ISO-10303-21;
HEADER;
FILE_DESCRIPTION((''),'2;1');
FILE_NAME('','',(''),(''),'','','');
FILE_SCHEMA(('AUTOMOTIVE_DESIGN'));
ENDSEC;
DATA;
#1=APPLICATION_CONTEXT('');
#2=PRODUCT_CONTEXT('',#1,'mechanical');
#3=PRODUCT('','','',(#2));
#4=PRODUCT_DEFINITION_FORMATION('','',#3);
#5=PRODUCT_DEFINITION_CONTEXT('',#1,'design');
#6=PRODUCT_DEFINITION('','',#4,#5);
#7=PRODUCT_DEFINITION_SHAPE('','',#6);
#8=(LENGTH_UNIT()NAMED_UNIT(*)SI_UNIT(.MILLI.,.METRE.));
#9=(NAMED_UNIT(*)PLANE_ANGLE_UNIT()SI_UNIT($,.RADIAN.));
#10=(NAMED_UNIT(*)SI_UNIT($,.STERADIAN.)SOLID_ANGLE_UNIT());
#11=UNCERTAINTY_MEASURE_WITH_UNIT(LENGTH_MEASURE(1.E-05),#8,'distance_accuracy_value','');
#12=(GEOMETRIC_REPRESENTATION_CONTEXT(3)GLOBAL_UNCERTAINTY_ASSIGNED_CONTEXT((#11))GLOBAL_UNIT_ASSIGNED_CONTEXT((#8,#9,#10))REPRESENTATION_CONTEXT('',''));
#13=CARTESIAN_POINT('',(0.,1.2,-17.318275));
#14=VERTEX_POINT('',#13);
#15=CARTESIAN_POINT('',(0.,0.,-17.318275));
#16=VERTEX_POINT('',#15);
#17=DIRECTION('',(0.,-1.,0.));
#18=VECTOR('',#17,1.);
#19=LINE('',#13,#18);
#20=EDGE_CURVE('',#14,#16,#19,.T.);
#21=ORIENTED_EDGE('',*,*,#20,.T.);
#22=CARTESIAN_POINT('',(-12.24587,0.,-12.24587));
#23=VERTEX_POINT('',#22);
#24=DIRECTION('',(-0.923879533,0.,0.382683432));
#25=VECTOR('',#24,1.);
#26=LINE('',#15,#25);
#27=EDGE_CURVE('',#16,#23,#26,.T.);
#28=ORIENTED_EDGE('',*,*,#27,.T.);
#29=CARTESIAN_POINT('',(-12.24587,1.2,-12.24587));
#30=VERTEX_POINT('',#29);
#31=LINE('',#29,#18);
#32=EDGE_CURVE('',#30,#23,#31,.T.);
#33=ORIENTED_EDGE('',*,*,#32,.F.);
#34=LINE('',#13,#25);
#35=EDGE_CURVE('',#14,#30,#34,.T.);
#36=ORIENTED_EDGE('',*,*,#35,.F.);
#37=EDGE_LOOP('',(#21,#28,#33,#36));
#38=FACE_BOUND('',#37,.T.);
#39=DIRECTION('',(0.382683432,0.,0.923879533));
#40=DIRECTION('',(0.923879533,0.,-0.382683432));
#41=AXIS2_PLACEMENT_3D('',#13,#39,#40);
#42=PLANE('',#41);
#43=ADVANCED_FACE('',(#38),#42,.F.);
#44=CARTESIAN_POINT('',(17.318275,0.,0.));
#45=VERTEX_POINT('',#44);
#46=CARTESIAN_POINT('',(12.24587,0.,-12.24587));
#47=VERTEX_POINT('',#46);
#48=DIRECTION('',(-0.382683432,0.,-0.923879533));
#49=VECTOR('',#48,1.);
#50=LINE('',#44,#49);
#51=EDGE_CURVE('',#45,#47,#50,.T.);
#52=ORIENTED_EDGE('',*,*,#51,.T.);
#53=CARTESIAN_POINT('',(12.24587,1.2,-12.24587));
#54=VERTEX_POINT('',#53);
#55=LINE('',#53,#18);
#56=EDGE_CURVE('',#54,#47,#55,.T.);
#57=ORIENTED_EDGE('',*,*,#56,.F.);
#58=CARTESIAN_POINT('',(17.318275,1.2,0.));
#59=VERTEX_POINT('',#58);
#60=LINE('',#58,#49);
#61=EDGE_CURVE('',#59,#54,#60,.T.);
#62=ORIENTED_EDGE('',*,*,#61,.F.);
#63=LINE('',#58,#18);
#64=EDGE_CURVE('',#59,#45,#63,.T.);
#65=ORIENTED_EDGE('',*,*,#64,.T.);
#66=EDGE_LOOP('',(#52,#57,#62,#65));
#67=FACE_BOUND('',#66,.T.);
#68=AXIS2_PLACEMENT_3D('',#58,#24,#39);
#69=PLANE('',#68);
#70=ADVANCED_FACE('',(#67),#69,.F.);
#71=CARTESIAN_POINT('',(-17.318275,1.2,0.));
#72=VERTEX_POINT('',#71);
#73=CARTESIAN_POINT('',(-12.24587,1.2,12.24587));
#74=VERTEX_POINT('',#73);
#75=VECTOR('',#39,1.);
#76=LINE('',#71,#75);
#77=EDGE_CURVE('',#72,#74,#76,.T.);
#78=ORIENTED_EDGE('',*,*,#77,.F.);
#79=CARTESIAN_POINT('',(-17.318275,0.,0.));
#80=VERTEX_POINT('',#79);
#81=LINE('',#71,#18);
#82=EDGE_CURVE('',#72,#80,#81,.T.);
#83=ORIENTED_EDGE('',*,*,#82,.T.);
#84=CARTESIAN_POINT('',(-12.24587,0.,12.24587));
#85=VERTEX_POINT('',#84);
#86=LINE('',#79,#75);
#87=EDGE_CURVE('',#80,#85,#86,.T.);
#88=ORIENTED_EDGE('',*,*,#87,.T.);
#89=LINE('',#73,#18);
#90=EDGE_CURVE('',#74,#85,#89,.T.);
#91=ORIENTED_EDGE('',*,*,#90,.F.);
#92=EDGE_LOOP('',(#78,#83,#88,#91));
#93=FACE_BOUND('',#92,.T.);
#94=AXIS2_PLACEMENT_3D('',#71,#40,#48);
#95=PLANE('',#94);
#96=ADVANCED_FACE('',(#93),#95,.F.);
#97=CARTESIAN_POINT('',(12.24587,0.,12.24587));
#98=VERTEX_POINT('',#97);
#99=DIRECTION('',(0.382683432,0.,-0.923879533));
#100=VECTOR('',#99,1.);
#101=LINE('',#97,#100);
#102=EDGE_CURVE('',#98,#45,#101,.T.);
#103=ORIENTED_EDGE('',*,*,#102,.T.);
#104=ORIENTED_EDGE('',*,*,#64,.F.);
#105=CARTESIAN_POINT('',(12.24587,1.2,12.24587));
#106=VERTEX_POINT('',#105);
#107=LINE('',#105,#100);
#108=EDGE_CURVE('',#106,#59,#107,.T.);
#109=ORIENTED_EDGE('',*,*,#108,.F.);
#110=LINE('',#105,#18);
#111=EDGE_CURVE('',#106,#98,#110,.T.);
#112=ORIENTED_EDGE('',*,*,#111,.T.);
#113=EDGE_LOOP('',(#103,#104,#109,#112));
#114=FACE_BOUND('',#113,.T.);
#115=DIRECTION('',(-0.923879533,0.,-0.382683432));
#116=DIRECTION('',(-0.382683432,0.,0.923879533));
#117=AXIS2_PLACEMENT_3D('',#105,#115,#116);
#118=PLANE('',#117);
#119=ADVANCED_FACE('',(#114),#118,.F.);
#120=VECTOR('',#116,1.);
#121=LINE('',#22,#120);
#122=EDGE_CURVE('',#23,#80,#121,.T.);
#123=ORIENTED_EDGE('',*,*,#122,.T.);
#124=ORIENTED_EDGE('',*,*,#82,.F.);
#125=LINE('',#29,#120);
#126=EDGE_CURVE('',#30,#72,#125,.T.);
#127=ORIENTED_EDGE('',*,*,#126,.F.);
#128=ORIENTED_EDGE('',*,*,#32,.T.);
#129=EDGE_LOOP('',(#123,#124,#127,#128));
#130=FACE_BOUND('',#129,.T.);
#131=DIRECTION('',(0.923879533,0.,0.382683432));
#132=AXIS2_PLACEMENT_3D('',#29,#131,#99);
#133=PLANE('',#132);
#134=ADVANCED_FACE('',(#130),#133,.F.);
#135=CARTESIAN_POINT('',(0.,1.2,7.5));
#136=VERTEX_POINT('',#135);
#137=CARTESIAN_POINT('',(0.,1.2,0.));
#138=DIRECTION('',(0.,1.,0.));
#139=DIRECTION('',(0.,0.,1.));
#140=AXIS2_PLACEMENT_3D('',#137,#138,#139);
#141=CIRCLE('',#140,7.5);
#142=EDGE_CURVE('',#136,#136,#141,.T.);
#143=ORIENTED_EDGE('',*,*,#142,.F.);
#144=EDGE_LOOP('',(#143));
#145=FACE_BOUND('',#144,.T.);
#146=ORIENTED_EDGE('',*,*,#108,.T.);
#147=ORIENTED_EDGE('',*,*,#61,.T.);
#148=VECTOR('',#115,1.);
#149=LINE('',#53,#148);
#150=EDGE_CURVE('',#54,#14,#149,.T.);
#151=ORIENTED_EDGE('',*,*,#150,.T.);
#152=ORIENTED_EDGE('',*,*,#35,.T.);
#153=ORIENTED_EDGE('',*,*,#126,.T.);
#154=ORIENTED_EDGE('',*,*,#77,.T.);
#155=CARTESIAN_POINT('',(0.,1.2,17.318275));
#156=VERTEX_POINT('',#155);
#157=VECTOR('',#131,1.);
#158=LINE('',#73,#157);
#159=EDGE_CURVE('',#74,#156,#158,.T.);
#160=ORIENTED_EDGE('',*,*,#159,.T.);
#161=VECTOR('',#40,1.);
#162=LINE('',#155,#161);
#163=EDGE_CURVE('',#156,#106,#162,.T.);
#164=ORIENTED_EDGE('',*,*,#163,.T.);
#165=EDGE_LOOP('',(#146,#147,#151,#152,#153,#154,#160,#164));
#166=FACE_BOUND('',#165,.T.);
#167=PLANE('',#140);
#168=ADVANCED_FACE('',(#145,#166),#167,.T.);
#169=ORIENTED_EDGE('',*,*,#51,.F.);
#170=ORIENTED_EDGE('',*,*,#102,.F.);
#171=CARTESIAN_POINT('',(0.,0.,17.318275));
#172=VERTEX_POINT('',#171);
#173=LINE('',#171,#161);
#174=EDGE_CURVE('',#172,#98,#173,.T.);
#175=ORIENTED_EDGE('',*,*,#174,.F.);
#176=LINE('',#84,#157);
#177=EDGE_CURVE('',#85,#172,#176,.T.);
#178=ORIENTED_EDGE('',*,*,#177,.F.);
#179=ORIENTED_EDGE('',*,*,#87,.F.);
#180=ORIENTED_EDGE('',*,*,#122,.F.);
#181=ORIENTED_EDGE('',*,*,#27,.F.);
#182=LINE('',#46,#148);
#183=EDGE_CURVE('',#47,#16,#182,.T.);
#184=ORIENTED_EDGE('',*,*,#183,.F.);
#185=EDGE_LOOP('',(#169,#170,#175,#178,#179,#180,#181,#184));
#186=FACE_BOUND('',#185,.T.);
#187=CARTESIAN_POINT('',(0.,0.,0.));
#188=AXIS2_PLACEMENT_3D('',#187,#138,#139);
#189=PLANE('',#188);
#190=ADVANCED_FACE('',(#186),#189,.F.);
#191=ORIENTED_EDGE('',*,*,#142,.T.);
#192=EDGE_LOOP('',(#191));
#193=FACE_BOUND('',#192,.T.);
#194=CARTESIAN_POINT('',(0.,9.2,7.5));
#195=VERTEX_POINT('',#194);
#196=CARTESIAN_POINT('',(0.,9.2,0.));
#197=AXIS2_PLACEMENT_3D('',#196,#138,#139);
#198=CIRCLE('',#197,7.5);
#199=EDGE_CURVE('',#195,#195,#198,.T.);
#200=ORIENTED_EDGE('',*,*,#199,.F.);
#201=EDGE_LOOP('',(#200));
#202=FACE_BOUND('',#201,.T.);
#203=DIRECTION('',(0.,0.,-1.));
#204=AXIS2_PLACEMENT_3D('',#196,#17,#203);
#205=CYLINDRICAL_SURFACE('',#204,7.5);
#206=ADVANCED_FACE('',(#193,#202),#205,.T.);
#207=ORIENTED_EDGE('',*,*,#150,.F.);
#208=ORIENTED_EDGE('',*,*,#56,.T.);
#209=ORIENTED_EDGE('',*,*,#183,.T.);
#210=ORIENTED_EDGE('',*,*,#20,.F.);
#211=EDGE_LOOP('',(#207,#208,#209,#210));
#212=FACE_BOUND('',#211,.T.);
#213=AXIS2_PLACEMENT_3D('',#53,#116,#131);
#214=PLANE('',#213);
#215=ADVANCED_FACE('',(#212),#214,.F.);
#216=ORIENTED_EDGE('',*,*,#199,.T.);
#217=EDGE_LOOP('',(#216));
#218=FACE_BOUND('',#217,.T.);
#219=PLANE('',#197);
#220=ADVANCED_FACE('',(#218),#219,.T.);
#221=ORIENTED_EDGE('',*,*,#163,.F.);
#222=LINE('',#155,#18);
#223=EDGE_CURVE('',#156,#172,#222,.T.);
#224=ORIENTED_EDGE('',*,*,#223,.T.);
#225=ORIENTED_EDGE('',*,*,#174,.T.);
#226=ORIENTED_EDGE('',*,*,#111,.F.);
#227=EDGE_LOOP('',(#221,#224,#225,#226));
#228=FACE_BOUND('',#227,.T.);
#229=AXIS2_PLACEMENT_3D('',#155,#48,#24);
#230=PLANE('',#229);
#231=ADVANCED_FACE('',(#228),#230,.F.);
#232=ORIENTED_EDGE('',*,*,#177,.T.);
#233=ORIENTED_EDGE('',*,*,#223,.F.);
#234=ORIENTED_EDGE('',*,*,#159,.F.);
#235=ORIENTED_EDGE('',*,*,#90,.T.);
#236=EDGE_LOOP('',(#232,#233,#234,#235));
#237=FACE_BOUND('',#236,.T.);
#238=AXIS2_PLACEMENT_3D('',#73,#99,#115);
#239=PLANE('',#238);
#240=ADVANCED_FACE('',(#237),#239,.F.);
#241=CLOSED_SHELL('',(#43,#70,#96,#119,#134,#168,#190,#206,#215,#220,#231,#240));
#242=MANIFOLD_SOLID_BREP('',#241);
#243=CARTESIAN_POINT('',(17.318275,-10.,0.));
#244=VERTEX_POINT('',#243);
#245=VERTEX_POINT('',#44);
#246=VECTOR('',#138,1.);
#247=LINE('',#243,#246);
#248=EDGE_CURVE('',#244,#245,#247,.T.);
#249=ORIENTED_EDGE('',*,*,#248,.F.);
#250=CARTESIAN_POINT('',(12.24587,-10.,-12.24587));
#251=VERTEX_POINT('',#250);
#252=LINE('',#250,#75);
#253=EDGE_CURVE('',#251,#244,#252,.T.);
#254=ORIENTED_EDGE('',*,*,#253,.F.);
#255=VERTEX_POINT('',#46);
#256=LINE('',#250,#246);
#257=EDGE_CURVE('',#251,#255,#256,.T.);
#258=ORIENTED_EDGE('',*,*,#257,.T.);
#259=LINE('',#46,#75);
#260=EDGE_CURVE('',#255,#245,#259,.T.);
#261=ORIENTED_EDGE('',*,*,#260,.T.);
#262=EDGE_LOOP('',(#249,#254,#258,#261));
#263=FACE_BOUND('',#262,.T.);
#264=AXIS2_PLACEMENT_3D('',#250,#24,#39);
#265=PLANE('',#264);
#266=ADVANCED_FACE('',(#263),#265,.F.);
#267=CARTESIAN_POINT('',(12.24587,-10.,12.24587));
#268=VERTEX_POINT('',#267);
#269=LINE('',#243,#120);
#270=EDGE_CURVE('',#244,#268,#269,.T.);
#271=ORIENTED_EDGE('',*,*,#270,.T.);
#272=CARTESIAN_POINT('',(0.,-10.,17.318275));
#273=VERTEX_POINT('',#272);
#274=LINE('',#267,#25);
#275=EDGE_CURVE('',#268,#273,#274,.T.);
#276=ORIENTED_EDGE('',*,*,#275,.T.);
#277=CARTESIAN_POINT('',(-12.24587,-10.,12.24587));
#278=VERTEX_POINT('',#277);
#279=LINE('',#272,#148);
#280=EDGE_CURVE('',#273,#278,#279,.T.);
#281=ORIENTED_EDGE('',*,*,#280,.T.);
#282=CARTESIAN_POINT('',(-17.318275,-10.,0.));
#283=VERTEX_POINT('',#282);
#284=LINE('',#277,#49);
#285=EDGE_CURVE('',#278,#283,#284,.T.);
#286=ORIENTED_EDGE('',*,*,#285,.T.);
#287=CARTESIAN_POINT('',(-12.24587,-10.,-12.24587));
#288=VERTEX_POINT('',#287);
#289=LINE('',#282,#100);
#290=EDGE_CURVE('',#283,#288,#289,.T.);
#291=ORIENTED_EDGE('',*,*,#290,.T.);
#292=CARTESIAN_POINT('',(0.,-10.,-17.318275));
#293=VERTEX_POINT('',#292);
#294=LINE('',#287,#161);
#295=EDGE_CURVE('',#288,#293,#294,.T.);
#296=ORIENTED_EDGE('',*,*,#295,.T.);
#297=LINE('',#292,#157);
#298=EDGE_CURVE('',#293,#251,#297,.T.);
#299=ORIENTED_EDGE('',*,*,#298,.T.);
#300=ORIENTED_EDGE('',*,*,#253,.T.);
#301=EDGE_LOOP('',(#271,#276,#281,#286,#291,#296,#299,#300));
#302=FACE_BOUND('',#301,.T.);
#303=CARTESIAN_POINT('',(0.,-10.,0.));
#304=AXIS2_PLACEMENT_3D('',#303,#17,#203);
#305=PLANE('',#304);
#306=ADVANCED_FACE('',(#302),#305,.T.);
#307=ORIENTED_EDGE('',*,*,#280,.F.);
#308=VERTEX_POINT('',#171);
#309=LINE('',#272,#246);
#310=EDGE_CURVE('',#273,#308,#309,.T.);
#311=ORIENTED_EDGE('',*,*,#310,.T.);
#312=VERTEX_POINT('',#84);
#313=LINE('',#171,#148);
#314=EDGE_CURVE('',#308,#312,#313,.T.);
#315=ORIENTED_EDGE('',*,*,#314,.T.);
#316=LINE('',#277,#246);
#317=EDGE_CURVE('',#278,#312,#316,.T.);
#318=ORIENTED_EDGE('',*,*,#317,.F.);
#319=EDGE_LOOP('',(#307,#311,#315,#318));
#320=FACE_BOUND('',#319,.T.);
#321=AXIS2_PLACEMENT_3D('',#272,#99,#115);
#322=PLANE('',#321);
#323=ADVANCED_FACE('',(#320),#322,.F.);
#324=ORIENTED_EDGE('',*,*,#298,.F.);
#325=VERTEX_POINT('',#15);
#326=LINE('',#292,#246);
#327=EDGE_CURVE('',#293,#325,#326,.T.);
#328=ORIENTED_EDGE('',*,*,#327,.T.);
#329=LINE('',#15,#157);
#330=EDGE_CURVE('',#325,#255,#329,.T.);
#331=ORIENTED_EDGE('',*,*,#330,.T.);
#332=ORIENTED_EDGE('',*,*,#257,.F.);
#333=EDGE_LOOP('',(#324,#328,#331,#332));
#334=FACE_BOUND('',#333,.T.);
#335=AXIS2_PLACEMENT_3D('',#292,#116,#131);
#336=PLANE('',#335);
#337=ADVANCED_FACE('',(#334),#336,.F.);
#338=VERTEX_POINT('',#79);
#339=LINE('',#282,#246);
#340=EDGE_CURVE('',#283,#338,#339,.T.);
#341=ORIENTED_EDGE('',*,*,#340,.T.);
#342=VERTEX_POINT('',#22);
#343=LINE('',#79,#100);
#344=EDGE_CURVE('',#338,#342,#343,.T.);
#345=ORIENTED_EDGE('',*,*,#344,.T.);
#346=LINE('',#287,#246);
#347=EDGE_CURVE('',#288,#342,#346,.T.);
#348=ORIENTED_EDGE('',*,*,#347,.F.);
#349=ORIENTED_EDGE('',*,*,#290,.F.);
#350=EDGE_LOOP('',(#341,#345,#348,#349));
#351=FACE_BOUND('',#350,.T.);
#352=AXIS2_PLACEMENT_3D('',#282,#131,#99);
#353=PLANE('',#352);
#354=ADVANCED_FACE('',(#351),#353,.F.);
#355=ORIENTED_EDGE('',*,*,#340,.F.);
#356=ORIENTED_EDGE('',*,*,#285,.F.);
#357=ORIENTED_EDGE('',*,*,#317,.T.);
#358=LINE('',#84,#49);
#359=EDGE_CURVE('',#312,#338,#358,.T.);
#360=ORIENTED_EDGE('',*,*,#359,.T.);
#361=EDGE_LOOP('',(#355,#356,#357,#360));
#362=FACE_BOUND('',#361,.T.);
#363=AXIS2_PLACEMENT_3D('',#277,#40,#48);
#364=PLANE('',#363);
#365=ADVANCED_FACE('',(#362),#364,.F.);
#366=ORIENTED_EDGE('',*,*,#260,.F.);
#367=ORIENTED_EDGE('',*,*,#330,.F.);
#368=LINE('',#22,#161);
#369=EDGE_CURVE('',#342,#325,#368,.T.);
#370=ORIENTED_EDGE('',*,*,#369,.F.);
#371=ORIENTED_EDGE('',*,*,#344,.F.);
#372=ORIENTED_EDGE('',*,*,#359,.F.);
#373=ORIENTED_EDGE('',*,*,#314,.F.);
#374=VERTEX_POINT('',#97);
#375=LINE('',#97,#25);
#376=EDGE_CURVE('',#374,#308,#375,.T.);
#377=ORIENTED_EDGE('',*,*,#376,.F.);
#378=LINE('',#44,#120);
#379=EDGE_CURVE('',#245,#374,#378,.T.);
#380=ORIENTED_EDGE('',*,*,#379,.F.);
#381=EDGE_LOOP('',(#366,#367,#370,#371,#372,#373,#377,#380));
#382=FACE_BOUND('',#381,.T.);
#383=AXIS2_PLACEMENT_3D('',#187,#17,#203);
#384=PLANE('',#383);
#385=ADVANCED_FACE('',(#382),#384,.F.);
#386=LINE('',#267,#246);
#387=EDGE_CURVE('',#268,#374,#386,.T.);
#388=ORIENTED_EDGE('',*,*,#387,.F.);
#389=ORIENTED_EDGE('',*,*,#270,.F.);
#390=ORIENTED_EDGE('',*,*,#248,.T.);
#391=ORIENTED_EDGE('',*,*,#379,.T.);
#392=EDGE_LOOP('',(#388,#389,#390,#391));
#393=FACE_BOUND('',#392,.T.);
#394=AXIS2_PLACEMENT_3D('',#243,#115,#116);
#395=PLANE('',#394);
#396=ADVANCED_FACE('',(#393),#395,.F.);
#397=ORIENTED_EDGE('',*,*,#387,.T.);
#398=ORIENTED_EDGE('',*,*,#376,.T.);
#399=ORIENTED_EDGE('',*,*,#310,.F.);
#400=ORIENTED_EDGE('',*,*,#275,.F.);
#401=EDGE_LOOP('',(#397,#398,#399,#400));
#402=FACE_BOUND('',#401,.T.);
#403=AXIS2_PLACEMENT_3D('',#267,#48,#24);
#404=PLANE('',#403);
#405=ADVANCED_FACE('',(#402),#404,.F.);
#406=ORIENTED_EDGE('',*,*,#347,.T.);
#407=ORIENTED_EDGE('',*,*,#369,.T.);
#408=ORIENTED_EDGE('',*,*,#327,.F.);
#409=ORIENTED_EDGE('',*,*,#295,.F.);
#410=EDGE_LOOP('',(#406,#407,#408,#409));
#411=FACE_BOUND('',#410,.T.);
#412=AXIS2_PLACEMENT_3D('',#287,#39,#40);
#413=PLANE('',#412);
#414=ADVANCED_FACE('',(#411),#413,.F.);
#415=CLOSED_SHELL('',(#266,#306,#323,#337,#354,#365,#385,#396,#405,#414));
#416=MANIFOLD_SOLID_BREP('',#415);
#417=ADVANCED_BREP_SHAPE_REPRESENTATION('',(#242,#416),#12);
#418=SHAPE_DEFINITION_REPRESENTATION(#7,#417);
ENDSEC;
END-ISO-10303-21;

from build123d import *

# Parameters (mm, degrees)
BOSS_EXTRUDE1_DEPTH = 1.2
SKETCH2_R           = 7.5
BOSS_EXTRUDE2_DEPTH = 8
BOSS_EXTRUDE3_DEPTH = 10


with BuildPart() as part:
    # Sketch1 → Boss-Extrude1 (new body)
    with BuildSketch(Plane(origin=(0, 0, 0), x_dir=(1, 0, 0), z_dir=(0, 1, 0))):
        Polygon((0, -17.318275205), (12.245869836, -12.245869836), (17.318275205, 0), (12.245869836, 12.245869836), (0, 17.318275205), (-12.245869836, 12.245869836), (-17.318275205, 0), (-12.245869836, -12.245869836), align=None)
    extrude(amount=BOSS_EXTRUDE1_DEPTH)

    # Sketch2 → Boss-Extrude2 (add)
    with BuildSketch(Plane(origin=(0, 1.2, 0), x_dir=(1, 0, 0), z_dir=(0, 1, 0))):
        with Locations(Location((0, 0, 0), (0, 0, 270))):
            Circle(SKETCH2_R)
    extrude(amount=BOSS_EXTRUDE2_DEPTH)


with BuildPart() as body_2:
    # Sketch3 → Boss-Extrude3 (new body)
    with BuildSketch(Plane.XZ):
        Polygon((12.245869836, 12.245869836), (0, 17.318275205), (-12.245869836, 12.245869836), (-17.318275205, 0), (-12.245869836, -12.245869836), (0, -17.318275205), (12.245869836, -12.245869836), (17.318275205, 0), align=None)
    extrude(amount=BOSS_EXTRUDE3_DEPTH)


solid = Compound([part.part, body_2.part])
